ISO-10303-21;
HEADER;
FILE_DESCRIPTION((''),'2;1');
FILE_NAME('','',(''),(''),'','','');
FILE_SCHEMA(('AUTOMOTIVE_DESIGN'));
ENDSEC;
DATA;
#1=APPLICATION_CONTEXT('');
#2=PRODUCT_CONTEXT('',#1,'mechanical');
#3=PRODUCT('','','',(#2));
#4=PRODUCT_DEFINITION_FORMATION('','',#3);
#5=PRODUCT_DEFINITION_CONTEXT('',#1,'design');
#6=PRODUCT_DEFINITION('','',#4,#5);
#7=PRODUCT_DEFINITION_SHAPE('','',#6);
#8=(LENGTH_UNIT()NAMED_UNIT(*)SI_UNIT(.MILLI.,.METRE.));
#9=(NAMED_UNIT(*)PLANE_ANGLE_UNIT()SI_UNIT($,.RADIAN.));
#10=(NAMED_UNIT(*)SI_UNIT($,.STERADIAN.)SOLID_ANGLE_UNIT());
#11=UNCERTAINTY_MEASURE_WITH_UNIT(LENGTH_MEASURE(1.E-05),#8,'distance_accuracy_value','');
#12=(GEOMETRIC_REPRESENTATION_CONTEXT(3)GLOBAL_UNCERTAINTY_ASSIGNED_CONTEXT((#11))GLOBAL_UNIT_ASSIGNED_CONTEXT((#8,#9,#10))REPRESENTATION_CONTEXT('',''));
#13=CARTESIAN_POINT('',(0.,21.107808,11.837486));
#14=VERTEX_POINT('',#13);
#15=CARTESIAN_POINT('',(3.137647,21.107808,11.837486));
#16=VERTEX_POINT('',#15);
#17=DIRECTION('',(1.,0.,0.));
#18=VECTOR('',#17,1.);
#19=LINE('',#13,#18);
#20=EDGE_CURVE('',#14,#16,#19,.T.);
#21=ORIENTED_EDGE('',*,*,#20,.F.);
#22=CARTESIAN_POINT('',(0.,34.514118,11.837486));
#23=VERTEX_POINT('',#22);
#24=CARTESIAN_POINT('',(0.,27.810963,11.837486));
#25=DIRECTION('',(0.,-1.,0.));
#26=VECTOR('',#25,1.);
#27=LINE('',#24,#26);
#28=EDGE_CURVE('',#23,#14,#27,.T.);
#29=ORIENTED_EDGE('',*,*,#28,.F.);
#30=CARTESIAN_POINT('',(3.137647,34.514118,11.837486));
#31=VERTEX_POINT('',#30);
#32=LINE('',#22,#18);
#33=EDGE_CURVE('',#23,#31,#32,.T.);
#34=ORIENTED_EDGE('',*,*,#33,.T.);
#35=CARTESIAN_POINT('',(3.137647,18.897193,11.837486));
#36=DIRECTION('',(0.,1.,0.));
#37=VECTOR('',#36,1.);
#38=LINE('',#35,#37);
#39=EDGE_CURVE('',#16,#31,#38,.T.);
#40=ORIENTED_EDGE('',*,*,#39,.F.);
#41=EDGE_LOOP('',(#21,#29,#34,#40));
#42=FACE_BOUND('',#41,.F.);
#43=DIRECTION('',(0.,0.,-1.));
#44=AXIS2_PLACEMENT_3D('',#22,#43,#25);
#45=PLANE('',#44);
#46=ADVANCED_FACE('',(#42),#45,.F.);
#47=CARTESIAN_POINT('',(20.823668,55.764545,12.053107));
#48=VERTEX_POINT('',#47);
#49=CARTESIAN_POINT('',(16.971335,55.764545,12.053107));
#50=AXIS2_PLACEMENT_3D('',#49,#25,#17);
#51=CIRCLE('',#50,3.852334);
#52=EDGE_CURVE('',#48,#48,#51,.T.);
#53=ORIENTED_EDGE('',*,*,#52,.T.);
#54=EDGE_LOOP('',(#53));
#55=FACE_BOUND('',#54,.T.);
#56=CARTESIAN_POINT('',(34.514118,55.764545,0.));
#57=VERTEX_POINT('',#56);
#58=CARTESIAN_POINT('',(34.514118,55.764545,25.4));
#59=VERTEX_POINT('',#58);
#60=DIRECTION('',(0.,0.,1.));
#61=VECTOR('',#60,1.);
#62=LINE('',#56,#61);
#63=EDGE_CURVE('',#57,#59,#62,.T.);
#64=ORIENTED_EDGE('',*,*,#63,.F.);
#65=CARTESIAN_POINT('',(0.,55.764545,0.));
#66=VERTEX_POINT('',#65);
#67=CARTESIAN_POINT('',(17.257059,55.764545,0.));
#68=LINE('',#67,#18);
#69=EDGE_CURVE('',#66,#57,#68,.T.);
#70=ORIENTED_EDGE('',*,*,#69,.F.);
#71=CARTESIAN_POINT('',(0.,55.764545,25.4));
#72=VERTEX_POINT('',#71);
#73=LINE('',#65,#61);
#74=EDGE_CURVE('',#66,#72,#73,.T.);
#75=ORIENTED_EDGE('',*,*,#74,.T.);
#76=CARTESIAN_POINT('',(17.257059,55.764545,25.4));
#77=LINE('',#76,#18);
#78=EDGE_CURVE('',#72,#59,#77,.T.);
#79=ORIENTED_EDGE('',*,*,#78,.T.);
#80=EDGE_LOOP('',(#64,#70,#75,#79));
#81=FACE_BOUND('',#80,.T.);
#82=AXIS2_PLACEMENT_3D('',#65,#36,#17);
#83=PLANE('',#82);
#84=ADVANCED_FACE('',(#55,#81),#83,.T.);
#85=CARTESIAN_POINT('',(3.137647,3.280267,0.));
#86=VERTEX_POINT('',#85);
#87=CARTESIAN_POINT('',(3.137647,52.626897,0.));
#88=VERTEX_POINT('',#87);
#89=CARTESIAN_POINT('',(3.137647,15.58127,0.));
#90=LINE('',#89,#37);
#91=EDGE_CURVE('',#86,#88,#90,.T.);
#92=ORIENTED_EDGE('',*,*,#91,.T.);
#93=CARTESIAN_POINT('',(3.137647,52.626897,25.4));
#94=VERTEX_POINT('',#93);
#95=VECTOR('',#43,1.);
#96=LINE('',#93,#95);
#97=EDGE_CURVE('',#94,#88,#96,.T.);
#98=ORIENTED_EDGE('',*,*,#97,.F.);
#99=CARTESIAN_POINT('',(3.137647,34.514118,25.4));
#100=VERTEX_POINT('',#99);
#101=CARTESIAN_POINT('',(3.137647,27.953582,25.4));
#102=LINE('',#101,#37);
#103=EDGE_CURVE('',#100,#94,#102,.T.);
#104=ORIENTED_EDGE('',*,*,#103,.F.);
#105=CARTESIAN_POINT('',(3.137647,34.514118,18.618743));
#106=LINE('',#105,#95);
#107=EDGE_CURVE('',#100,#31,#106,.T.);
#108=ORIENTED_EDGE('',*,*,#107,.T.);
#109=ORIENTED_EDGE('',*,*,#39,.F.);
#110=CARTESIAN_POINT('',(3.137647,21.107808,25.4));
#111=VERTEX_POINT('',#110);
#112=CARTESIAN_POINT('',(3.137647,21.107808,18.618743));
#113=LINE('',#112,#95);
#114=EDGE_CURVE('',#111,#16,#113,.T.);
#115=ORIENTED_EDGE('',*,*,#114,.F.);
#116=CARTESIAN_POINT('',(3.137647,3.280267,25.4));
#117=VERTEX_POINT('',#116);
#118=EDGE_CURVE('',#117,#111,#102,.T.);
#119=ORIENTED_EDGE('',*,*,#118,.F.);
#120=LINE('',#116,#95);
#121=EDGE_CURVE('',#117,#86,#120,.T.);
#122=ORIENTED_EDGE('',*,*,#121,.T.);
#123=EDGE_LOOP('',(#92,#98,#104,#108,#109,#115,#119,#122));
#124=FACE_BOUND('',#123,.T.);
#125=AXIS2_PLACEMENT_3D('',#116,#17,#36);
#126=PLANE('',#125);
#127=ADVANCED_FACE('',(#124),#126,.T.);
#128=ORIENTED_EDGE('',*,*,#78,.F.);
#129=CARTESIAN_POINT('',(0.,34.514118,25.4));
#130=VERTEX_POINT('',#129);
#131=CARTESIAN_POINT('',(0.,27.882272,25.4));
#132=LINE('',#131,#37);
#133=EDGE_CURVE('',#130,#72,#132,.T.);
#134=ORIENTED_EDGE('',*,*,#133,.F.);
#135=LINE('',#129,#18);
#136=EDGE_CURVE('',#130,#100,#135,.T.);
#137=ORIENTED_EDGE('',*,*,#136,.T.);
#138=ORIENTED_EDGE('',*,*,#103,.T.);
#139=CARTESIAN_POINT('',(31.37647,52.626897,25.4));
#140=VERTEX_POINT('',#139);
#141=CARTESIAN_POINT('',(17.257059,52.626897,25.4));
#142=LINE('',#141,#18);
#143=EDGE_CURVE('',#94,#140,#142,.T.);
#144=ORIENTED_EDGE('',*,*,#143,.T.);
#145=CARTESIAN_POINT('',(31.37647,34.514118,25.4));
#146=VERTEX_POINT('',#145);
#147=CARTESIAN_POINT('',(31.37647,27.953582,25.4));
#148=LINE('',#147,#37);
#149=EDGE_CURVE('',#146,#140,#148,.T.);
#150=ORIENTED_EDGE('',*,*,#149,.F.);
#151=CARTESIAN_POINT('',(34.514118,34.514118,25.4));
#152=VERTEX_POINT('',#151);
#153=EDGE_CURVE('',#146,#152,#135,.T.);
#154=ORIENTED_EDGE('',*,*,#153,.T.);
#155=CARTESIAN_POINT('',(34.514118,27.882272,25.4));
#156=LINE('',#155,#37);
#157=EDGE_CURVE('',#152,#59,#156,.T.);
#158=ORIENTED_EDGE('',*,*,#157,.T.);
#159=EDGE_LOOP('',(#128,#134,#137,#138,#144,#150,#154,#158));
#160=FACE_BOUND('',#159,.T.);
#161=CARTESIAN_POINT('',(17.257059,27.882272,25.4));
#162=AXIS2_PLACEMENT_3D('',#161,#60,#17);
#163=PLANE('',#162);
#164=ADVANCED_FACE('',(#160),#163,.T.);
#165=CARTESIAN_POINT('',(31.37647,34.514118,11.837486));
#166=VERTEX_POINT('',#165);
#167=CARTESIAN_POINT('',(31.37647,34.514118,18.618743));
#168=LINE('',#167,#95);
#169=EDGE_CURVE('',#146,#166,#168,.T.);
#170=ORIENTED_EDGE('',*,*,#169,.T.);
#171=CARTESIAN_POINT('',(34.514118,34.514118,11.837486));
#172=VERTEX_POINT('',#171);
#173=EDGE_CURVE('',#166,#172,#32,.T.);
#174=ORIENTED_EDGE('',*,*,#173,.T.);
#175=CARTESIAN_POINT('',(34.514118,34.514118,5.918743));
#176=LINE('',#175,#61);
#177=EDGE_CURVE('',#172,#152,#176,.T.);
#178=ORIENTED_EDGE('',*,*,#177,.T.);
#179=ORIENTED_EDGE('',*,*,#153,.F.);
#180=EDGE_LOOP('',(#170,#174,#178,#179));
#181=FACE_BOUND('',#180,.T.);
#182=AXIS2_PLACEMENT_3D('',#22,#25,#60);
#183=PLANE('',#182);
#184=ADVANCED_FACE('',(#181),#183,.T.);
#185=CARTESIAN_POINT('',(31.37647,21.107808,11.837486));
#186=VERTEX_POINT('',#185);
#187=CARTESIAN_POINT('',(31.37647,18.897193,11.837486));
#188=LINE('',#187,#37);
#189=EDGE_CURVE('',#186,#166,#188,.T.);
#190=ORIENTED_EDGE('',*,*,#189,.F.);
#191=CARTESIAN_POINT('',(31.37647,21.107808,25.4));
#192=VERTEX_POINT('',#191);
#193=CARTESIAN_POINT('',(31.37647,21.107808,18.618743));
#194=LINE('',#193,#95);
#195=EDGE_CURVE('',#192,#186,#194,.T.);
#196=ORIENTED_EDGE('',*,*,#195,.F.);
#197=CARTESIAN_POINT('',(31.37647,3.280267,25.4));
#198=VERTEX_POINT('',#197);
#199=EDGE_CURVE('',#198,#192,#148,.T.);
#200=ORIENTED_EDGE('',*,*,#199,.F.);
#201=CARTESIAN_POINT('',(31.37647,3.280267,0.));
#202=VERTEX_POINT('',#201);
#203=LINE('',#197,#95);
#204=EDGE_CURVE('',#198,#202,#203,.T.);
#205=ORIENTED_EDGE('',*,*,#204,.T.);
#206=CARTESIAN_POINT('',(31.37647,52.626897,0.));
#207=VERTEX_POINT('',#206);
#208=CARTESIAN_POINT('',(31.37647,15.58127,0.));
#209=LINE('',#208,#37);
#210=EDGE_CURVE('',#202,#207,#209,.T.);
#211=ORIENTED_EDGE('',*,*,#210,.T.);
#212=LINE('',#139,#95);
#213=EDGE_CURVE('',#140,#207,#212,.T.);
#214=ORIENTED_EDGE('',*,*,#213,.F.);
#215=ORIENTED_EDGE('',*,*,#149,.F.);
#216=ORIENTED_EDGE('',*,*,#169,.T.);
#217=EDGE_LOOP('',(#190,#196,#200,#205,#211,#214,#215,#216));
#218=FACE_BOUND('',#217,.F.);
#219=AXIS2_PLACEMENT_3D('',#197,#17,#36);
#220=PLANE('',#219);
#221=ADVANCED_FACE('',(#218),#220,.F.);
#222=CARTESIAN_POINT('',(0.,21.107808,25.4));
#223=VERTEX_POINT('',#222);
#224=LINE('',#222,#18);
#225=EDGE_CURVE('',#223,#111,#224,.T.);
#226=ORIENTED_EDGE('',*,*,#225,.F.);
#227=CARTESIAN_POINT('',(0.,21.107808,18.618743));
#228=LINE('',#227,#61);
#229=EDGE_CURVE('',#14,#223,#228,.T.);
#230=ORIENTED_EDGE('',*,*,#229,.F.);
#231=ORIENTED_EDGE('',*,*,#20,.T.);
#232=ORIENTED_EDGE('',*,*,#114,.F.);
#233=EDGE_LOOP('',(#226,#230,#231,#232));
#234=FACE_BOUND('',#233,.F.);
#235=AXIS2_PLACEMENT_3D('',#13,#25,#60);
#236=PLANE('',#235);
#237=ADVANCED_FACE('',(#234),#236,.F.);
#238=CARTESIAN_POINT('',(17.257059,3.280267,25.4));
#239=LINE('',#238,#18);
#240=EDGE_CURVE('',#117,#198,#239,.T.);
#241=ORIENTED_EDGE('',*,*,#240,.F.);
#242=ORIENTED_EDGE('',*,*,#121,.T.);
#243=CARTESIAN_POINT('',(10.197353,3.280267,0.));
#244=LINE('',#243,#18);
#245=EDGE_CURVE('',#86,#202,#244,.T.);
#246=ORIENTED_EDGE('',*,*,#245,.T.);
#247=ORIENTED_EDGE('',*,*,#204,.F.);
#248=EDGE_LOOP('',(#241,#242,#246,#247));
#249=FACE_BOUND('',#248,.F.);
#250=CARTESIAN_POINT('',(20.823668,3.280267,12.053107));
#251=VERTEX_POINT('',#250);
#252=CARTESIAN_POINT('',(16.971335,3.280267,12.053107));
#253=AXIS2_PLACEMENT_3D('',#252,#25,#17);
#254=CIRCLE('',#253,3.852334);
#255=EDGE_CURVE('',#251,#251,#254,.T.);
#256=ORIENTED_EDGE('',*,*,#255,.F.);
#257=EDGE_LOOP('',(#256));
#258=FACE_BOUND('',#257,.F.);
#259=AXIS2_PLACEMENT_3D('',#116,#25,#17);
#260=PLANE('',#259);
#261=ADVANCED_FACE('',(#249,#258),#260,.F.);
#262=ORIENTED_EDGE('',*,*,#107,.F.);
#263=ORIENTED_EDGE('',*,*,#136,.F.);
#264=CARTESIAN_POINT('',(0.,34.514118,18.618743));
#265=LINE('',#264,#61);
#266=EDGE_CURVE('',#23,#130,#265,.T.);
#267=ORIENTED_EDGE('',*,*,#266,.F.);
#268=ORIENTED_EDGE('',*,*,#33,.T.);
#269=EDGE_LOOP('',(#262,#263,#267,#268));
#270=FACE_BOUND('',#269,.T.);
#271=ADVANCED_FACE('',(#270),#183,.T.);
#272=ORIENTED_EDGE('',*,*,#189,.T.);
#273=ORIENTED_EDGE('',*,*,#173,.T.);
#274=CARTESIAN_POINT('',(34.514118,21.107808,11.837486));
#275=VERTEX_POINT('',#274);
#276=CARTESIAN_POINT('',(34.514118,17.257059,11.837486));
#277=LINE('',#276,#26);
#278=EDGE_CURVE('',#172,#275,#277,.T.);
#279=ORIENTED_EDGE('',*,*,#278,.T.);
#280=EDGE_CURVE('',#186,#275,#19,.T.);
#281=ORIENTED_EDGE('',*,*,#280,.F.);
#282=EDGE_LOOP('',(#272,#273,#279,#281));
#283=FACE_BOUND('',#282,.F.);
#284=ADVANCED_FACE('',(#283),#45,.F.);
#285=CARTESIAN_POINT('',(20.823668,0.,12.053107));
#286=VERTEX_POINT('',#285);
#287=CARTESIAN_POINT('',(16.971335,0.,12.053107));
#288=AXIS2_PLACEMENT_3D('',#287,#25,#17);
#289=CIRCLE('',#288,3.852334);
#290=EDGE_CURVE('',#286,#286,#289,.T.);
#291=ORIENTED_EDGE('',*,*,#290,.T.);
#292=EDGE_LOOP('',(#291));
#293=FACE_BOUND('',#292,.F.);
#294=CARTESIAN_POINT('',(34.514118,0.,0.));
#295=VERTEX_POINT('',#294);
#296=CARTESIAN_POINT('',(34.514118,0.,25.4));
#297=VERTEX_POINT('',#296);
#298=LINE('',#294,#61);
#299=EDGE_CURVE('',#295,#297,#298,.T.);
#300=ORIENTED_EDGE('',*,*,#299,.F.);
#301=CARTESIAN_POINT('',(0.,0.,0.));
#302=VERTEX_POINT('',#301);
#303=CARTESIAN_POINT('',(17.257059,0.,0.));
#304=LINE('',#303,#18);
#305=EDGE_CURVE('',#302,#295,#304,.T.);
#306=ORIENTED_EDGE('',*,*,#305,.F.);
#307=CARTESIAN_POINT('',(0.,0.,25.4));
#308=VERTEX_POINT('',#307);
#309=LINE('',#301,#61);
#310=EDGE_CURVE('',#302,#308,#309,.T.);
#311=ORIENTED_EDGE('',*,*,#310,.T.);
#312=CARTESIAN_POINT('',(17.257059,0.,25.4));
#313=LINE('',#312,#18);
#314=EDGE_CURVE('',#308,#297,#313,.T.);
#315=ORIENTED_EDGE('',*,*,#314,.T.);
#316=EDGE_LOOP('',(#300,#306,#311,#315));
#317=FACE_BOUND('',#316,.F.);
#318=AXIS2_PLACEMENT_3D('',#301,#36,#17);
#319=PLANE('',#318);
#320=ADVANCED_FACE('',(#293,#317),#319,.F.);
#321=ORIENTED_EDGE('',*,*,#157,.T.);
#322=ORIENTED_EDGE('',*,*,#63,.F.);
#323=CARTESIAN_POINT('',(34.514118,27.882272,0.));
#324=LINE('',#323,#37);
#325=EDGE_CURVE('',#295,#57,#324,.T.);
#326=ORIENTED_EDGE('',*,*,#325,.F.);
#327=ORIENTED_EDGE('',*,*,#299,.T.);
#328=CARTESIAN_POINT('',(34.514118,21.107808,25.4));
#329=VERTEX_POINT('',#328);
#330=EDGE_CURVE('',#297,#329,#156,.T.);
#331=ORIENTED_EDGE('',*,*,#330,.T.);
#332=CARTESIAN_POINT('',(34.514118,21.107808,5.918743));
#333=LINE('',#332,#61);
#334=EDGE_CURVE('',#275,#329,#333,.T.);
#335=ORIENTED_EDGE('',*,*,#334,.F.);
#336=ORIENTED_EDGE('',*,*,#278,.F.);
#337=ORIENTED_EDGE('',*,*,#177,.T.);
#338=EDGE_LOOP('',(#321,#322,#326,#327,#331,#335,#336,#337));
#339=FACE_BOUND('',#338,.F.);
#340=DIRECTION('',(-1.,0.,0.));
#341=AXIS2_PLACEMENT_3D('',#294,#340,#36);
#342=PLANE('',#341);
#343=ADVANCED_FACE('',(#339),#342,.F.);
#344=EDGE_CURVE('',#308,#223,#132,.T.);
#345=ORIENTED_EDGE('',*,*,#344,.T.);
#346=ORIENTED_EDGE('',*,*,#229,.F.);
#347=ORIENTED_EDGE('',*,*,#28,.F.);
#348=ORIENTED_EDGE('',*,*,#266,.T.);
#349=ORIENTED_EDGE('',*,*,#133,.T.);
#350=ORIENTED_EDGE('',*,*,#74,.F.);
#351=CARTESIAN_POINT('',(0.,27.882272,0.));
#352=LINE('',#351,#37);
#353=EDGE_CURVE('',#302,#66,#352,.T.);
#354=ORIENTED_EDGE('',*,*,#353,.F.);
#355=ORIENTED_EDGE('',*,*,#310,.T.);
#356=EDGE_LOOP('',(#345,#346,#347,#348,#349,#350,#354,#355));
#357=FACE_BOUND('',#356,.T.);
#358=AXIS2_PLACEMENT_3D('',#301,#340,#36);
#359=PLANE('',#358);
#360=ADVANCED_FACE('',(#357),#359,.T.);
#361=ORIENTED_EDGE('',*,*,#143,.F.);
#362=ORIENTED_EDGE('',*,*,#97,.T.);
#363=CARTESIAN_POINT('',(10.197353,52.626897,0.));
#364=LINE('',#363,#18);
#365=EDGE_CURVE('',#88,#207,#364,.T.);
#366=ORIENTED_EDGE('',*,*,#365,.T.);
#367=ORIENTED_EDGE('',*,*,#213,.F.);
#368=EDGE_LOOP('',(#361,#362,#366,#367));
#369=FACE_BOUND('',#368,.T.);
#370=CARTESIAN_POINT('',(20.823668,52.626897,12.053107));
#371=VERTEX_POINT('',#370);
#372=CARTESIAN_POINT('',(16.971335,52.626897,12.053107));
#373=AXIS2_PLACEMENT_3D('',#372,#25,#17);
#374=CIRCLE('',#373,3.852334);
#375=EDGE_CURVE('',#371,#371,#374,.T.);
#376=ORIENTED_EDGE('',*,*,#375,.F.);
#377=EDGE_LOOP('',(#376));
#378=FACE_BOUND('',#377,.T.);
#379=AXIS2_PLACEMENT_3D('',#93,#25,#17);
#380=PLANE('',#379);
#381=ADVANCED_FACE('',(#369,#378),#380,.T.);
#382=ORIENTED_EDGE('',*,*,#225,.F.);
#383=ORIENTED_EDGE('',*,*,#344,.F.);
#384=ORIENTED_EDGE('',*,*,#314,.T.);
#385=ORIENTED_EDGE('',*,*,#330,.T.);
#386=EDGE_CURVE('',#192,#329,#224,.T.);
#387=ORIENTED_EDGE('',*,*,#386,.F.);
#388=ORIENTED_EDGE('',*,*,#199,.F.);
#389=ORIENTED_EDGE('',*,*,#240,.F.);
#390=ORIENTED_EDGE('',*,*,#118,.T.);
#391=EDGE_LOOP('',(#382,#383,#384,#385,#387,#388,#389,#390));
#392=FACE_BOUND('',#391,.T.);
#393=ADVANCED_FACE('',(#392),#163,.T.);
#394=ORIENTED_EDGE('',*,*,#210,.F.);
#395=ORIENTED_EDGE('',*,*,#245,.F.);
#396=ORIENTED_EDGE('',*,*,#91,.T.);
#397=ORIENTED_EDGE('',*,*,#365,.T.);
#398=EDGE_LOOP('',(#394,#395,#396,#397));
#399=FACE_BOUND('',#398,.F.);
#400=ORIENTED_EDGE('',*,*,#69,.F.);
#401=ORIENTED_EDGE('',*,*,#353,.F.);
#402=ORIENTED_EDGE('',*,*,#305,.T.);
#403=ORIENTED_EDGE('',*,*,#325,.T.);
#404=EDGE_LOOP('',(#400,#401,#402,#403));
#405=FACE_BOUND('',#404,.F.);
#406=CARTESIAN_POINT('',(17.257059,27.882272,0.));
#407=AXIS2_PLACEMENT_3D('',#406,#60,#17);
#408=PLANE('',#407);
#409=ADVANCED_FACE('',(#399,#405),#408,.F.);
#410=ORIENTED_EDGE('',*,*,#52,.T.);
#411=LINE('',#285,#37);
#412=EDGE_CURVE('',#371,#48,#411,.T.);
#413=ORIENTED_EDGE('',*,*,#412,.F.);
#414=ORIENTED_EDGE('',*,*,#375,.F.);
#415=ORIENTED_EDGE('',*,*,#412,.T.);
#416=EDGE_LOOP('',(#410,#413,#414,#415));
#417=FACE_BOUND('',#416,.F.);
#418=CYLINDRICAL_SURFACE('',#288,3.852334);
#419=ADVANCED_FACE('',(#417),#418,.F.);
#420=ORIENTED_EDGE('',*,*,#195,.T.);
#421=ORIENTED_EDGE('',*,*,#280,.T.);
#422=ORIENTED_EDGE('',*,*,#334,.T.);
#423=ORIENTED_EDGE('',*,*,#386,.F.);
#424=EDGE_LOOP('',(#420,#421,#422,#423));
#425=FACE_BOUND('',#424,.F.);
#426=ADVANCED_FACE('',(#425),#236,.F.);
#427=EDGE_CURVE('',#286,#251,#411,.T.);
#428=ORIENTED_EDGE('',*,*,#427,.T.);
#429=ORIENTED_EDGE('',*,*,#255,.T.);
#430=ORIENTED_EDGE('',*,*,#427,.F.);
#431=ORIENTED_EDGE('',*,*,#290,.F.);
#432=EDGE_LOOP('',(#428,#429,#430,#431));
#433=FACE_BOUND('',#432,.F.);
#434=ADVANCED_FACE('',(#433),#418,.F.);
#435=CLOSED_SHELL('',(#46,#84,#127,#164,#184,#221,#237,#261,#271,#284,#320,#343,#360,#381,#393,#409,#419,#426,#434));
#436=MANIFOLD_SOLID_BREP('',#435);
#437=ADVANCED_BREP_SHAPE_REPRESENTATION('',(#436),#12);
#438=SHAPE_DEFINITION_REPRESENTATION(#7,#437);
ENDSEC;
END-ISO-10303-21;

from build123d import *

# Parameters (mm, degrees)
F0_W     = 34.514117986
F0_H     = 55.7645447552
F1_DEPTH = 25.4
F2_R     = 3.8523335732
F3_DEPTH = 55.7655447552
F4_W     = 28.238822706
F4_H     = 49.3466292974
F5_DEPTH = 25.401
F6_W     = 13.4063102305
F6_H     = 13.5625138223
F7_DEPTH = 34.515117986


with BuildPart() as f1:
    # F0 (on Top) → F1 (new body)
    with BuildSketch(Plane.XY):
        with Locations((17.257058993, 27.8822723776)):
            Rectangle(F0_W, F0_H)
    extrude(amount=F1_DEPTH)

    # F2 (on face) → F3 (cut, through all)
    with BuildSketch(Plane.XZ):
        with Locations((16.971334815, 12.0531069115)):
            Circle(F2_R)
    extrude(amount=-F3_DEPTH, mode=Mode.SUBTRACT)

    # F4 (on face) → F5 (cut, through all)
    with BuildSketch(Plane.XY.offset(25.4)):
        with Locations((17.2570585273, 27.9535820009)):
            Rectangle(F4_W, F4_H)
    extrude(amount=-F5_DEPTH, mode=Mode.SUBTRACT)

    # F6 (on face) → F7 (cut, through all)
    with BuildSketch(Plane(origin=(0, 0, 0), x_dir=(0, -1, 0), z_dir=(-1, 0, 0))):
        with Locations((-27.8109628707, 18.6187430888)):
            Rectangle(F6_W, F6_H)
    extrude(amount=-F7_DEPTH, mode=Mode.SUBTRACT)


solid = f1.part
